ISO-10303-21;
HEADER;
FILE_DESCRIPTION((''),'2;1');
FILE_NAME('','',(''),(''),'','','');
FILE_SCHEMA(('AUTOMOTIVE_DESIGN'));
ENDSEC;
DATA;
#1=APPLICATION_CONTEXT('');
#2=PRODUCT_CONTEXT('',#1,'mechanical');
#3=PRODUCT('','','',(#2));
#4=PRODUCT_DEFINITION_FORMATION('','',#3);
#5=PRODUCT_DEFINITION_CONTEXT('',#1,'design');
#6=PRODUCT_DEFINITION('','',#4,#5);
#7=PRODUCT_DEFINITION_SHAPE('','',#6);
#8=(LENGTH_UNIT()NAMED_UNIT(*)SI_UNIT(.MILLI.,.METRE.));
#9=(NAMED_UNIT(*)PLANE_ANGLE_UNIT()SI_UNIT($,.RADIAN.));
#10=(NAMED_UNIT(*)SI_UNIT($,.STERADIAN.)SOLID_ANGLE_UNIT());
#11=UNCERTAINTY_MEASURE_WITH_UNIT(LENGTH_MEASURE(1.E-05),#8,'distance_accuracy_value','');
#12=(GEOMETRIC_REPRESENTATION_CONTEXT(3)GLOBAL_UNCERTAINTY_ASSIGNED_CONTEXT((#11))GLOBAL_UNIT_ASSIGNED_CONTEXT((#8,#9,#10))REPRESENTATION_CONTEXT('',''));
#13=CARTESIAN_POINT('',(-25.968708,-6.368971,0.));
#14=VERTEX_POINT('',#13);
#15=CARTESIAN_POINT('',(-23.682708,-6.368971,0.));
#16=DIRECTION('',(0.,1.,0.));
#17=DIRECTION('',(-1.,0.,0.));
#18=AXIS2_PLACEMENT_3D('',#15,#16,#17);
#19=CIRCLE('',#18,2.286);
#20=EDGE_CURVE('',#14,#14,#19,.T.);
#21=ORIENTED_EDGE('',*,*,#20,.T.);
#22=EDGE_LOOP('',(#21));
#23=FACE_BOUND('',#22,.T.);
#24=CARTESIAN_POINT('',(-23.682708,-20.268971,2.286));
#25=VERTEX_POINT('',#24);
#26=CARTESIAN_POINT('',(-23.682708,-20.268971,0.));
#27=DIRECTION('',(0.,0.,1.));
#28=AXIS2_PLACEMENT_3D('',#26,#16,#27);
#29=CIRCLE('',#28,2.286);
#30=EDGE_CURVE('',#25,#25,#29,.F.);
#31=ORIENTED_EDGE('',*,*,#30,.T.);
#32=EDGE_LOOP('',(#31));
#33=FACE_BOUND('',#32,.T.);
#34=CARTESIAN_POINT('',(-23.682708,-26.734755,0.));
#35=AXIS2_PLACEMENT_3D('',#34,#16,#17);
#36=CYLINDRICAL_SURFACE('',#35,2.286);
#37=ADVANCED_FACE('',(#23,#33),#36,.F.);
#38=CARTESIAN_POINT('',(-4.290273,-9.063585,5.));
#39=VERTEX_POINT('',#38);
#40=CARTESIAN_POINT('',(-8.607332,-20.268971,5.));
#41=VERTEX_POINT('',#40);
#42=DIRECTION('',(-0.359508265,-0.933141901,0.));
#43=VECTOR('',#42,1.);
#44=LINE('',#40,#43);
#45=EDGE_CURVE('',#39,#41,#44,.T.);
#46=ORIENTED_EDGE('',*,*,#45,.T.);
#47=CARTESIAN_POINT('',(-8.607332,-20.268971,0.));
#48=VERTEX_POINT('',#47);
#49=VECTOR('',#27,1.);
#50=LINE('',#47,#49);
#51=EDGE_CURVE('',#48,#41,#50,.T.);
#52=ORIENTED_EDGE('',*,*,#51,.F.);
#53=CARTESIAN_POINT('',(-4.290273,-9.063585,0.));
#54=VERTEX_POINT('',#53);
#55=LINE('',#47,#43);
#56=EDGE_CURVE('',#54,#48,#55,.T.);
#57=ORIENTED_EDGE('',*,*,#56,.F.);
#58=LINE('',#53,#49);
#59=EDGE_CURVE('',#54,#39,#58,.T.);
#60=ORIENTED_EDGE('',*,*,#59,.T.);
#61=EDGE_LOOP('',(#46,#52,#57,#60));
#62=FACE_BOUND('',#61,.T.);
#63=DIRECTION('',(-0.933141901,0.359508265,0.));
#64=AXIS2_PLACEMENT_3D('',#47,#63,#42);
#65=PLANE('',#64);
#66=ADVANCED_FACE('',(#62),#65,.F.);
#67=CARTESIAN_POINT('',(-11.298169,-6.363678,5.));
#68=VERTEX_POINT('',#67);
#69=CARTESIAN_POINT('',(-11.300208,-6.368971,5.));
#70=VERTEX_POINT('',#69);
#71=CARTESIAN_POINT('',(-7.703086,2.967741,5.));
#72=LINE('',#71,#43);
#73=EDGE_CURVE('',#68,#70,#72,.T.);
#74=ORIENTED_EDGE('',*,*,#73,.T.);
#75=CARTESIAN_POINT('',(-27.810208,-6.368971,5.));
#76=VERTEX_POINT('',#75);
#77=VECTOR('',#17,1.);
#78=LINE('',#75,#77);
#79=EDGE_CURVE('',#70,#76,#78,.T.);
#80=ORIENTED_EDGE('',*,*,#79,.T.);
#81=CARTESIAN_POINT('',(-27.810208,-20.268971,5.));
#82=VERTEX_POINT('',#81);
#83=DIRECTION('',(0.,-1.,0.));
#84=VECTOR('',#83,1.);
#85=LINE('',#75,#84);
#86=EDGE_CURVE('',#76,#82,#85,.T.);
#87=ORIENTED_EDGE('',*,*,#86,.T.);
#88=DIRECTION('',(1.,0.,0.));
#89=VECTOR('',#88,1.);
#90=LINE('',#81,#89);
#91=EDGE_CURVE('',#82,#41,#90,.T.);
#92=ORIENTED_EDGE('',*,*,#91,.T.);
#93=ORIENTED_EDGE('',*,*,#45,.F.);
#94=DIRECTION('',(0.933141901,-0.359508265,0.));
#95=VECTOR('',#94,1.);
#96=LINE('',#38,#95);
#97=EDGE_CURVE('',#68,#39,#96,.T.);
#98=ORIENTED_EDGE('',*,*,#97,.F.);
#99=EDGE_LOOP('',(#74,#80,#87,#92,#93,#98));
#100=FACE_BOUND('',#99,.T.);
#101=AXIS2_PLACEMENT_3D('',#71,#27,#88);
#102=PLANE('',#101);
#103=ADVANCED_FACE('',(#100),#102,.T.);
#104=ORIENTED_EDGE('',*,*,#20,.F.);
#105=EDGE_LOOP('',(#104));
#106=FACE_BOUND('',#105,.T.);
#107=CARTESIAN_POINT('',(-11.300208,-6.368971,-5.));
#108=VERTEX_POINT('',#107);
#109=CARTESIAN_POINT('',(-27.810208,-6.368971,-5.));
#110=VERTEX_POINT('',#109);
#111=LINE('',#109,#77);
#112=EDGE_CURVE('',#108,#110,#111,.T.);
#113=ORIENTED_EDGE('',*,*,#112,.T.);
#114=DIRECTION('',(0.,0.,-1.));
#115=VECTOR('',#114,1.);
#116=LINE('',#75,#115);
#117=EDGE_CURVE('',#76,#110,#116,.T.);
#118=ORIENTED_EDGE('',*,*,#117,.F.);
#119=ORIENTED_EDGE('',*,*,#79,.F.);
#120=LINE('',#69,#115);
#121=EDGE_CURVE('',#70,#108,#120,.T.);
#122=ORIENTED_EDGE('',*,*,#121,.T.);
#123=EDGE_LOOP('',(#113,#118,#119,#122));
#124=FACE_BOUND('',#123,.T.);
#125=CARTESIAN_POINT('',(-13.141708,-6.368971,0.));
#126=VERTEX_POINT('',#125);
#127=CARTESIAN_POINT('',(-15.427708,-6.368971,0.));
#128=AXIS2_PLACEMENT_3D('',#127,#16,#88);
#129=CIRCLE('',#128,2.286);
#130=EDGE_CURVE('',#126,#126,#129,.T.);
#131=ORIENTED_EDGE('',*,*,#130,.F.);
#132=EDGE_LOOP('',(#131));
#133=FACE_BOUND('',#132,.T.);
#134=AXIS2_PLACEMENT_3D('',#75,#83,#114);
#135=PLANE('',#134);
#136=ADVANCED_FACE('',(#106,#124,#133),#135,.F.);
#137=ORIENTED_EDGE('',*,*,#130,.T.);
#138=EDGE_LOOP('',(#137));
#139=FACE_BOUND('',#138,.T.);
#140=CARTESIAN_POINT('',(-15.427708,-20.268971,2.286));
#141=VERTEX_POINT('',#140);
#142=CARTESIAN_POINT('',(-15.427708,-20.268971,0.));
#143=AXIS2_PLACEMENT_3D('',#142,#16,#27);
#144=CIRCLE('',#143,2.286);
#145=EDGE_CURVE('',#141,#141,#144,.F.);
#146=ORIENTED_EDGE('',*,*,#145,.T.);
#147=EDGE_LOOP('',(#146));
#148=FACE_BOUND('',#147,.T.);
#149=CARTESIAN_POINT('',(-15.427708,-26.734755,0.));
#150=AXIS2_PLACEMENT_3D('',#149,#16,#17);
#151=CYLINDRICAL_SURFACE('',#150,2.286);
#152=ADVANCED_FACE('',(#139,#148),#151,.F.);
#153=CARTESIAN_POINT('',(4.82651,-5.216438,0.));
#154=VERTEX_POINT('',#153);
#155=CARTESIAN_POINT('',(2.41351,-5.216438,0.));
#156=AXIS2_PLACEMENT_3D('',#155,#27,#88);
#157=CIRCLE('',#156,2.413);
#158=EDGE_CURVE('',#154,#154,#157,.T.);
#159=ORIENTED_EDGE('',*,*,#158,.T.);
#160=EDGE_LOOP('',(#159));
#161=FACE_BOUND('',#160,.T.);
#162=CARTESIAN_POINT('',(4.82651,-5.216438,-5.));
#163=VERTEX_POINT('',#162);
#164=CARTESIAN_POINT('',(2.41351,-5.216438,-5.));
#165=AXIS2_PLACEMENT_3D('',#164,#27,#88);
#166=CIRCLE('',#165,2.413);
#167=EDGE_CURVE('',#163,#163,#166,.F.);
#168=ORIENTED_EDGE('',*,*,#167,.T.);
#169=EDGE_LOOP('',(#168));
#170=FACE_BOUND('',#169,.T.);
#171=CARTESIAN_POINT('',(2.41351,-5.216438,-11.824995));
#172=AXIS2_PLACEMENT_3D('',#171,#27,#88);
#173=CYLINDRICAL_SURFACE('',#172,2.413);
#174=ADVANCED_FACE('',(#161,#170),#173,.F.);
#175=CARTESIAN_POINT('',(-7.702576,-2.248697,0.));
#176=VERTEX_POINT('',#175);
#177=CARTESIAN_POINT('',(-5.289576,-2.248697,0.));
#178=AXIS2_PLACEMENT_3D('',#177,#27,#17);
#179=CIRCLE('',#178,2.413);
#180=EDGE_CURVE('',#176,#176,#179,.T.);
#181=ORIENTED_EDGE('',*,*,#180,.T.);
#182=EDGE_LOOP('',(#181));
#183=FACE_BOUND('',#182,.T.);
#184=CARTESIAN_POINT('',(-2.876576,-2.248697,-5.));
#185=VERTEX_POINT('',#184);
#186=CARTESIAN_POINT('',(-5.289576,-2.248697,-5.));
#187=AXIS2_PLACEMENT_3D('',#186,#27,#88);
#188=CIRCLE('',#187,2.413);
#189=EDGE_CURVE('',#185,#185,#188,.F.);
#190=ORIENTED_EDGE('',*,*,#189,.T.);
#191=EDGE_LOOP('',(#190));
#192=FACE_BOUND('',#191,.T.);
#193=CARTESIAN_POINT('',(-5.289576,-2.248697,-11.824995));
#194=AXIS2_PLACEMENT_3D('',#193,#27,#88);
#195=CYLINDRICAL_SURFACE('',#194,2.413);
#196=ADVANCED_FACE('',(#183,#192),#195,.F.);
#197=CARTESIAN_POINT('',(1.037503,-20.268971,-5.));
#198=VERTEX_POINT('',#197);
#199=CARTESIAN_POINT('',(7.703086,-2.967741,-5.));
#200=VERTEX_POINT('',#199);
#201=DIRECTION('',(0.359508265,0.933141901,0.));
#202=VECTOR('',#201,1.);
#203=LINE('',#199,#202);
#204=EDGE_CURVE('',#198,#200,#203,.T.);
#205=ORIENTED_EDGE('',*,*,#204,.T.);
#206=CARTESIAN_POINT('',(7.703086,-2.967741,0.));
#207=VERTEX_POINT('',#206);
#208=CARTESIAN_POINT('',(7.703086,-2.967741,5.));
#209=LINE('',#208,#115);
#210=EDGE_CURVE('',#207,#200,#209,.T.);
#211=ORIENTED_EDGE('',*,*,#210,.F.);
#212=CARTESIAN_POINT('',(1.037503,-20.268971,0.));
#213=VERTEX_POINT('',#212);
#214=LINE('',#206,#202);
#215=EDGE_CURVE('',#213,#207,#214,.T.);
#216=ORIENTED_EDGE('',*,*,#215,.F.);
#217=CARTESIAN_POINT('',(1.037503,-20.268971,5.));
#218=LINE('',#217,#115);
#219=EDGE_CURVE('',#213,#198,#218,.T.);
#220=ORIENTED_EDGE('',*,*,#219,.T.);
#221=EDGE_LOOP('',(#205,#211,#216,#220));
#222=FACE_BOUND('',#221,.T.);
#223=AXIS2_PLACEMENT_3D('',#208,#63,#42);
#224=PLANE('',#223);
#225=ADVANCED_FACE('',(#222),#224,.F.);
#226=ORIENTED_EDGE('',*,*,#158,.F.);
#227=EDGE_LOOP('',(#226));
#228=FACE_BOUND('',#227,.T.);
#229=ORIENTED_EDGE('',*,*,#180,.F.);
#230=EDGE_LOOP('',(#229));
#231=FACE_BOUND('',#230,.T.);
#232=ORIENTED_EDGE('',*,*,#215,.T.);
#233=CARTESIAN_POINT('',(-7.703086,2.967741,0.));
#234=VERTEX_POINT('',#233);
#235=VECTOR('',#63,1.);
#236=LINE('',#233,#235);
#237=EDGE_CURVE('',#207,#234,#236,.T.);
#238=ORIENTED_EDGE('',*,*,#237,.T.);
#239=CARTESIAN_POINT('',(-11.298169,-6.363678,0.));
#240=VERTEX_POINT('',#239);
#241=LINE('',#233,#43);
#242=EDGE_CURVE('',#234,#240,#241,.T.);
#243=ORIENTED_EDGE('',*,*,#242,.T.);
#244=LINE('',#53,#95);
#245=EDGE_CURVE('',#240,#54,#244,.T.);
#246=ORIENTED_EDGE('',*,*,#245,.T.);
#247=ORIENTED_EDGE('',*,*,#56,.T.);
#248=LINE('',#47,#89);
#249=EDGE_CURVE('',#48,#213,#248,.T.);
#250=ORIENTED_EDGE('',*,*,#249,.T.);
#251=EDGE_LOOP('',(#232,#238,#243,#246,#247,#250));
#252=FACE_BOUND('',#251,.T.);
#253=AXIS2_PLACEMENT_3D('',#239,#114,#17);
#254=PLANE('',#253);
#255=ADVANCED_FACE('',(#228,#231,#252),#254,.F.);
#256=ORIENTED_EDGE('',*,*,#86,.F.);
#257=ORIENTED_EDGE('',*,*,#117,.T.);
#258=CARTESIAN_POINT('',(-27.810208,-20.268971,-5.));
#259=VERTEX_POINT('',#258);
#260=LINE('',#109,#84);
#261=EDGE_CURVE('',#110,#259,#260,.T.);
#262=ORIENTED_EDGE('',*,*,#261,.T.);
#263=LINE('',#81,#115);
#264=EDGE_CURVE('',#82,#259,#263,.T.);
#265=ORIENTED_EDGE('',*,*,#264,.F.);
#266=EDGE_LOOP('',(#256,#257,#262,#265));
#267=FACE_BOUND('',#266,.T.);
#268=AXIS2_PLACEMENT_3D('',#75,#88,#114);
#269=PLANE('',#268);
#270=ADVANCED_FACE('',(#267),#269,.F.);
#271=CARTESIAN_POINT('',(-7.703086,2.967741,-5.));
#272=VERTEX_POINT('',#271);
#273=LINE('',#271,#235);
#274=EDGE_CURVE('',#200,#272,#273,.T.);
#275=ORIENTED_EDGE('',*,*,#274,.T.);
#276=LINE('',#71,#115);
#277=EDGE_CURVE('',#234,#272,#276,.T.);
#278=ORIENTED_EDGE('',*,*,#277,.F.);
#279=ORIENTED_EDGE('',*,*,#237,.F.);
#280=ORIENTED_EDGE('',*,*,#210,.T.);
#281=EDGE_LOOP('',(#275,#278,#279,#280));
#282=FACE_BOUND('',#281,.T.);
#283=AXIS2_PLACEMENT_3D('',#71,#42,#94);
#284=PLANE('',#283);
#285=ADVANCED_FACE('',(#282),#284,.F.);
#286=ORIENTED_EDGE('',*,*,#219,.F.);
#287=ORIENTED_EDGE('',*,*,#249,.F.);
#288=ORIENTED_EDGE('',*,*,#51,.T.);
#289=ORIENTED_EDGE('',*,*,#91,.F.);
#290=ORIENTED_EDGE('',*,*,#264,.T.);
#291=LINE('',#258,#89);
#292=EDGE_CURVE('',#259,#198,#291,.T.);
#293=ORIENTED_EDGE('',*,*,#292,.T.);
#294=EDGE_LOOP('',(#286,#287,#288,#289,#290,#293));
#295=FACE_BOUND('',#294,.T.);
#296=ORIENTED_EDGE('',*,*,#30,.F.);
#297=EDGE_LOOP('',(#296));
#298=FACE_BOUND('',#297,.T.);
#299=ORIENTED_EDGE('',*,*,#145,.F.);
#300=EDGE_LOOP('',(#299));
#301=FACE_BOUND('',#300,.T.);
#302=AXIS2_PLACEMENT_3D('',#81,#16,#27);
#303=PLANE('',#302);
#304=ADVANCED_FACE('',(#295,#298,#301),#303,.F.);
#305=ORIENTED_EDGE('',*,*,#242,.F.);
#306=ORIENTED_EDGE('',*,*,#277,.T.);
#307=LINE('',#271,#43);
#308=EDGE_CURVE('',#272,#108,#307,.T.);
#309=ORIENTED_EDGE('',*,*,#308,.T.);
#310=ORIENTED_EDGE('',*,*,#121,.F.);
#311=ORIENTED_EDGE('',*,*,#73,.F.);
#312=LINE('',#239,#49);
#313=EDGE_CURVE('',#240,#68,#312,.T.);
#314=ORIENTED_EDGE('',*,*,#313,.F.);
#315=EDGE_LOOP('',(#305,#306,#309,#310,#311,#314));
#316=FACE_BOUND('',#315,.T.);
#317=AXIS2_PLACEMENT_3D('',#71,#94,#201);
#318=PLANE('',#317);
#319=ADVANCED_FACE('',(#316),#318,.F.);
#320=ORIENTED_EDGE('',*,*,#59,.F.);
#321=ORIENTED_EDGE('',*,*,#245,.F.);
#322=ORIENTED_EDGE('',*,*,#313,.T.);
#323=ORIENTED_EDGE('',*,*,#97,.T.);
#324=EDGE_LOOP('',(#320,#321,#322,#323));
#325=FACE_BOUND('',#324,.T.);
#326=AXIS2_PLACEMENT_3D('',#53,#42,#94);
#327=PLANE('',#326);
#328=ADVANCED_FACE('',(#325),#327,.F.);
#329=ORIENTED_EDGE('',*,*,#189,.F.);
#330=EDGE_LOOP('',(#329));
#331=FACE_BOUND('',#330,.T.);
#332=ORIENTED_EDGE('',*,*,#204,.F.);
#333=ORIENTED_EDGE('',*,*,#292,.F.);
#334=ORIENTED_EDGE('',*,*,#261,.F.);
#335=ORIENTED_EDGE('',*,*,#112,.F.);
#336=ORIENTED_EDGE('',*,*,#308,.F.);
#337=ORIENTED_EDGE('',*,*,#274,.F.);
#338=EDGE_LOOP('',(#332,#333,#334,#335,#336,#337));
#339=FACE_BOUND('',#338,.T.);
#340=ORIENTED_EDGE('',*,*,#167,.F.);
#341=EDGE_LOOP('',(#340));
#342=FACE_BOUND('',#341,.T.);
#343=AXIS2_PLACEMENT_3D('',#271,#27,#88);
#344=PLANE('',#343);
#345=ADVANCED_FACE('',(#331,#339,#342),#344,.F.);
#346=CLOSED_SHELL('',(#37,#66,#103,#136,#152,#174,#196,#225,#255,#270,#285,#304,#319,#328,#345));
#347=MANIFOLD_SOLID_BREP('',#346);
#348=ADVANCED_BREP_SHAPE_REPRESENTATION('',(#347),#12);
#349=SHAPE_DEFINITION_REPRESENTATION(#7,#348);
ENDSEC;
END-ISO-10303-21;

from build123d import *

# Parameters (mm, degrees)
BASE_EXTRUDE_DEPTH                           = 5
CUTAWAY_FOR_CLAMP_PLATE_WIRE_DEPTH           = 5
SKETCH3_R                                    = 2.413
CLAMP_PLATE_HOLES_ALTERED_TO_10_24_OCT_DEPTH = 5
HOLES_TO_PITCH_PLATE_REACH                   = 15.9
SKETCH4_R                                    = 2.286


with BuildPart() as part:
    # Sketch1 → Base-Extrude (new body, symmetric)
    with BuildSketch(Plane.XY):
        Polygon((-7.703086391, 2.967740731), (0, 0), (7.703086391, -2.967740731), (1.037503031, -20.268970563), (-27.810207986, -20.268970563), (-27.810207986, -6.368970563), (-11.300207986, -6.368970563), align=None)
    extrude(amount=BASE_EXTRUDE_DEPTH, both=True)

    # Sketch2 → Cutaway for Clamp Plate & Wire (cut)
    with BuildSketch(Plane.XY.offset(5)):
        Polygon((-7.703086391, 2.967740731), (7.703086391, -2.967740731), (1.037503031, -20.268970563), (-8.607332328, -20.268970563), (-4.290273371, -9.06358535), (-11.298169046, -6.363678277), align=None)
    extrude(amount=-CUTAWAY_FOR_CLAMP_PLATE_WIRE_DEPTH, mode=Mode.SUBTRACT)

    # Sketch3 → Clamp Plate Holes (altered to #10-24 OCT04) (cut)
    with BuildSketch(Plane.XY):
        with Locations((2.413510134, -5.216437969)):
            Circle(SKETCH3_R)
        with Locations((-5.289576257, -2.248697238)):
            Circle(SKETCH3_R)
    extrude(amount=-CLAMP_PLATE_HOLES_ALTERED_TO_10_24_OCT_DEPTH, mode=Mode.SUBTRACT)

    # Sketch4 → Holes to Pitch Plate (cut, up to next)
    with BuildSketch(Plane(origin=(0, -6.368970563, 0), x_dir=(-1, 0, 0), z_dir=(0, 1, 0)), mode=Mode.PRIVATE) as holes_to_pitch_plate_sk1:
        with Locations((23.682707986, 0)):
            Circle(SKETCH4_R)
    holes_to_pitch_plate_tool1 = extrude(holes_to_pitch_plate_sk1.sketch, amount=-HOLES_TO_PITCH_PLATE_REACH, mode=Mode.PRIVATE) & part.part
    add(holes_to_pitch_plate_tool1.solids().sort_by_distance((-23.682708, -6.368971, 0))[0], mode=Mode.SUBTRACT)
    # Sketch4 → Holes to Pitch Plate (cut, up to next)
    with BuildSketch(Plane(origin=(0, -6.368970563, 0), x_dir=(-1, 0, 0), z_dir=(0, 1, 0)), mode=Mode.PRIVATE) as holes_to_pitch_plate_sk2:
        with Locations(Location((15.427707986, 0, 0), (0, 0, 90))):  # turned: the seam where the file's is
            Circle(SKETCH4_R)
    holes_to_pitch_plate_tool2 = extrude(holes_to_pitch_plate_sk2.sketch, amount=-HOLES_TO_PITCH_PLATE_REACH, mode=Mode.PRIVATE) & part.part
    add(holes_to_pitch_plate_tool2.solids().sort_by_distance((-15.427708, -6.368971, 0))[0], mode=Mode.SUBTRACT)


solid = part.part
